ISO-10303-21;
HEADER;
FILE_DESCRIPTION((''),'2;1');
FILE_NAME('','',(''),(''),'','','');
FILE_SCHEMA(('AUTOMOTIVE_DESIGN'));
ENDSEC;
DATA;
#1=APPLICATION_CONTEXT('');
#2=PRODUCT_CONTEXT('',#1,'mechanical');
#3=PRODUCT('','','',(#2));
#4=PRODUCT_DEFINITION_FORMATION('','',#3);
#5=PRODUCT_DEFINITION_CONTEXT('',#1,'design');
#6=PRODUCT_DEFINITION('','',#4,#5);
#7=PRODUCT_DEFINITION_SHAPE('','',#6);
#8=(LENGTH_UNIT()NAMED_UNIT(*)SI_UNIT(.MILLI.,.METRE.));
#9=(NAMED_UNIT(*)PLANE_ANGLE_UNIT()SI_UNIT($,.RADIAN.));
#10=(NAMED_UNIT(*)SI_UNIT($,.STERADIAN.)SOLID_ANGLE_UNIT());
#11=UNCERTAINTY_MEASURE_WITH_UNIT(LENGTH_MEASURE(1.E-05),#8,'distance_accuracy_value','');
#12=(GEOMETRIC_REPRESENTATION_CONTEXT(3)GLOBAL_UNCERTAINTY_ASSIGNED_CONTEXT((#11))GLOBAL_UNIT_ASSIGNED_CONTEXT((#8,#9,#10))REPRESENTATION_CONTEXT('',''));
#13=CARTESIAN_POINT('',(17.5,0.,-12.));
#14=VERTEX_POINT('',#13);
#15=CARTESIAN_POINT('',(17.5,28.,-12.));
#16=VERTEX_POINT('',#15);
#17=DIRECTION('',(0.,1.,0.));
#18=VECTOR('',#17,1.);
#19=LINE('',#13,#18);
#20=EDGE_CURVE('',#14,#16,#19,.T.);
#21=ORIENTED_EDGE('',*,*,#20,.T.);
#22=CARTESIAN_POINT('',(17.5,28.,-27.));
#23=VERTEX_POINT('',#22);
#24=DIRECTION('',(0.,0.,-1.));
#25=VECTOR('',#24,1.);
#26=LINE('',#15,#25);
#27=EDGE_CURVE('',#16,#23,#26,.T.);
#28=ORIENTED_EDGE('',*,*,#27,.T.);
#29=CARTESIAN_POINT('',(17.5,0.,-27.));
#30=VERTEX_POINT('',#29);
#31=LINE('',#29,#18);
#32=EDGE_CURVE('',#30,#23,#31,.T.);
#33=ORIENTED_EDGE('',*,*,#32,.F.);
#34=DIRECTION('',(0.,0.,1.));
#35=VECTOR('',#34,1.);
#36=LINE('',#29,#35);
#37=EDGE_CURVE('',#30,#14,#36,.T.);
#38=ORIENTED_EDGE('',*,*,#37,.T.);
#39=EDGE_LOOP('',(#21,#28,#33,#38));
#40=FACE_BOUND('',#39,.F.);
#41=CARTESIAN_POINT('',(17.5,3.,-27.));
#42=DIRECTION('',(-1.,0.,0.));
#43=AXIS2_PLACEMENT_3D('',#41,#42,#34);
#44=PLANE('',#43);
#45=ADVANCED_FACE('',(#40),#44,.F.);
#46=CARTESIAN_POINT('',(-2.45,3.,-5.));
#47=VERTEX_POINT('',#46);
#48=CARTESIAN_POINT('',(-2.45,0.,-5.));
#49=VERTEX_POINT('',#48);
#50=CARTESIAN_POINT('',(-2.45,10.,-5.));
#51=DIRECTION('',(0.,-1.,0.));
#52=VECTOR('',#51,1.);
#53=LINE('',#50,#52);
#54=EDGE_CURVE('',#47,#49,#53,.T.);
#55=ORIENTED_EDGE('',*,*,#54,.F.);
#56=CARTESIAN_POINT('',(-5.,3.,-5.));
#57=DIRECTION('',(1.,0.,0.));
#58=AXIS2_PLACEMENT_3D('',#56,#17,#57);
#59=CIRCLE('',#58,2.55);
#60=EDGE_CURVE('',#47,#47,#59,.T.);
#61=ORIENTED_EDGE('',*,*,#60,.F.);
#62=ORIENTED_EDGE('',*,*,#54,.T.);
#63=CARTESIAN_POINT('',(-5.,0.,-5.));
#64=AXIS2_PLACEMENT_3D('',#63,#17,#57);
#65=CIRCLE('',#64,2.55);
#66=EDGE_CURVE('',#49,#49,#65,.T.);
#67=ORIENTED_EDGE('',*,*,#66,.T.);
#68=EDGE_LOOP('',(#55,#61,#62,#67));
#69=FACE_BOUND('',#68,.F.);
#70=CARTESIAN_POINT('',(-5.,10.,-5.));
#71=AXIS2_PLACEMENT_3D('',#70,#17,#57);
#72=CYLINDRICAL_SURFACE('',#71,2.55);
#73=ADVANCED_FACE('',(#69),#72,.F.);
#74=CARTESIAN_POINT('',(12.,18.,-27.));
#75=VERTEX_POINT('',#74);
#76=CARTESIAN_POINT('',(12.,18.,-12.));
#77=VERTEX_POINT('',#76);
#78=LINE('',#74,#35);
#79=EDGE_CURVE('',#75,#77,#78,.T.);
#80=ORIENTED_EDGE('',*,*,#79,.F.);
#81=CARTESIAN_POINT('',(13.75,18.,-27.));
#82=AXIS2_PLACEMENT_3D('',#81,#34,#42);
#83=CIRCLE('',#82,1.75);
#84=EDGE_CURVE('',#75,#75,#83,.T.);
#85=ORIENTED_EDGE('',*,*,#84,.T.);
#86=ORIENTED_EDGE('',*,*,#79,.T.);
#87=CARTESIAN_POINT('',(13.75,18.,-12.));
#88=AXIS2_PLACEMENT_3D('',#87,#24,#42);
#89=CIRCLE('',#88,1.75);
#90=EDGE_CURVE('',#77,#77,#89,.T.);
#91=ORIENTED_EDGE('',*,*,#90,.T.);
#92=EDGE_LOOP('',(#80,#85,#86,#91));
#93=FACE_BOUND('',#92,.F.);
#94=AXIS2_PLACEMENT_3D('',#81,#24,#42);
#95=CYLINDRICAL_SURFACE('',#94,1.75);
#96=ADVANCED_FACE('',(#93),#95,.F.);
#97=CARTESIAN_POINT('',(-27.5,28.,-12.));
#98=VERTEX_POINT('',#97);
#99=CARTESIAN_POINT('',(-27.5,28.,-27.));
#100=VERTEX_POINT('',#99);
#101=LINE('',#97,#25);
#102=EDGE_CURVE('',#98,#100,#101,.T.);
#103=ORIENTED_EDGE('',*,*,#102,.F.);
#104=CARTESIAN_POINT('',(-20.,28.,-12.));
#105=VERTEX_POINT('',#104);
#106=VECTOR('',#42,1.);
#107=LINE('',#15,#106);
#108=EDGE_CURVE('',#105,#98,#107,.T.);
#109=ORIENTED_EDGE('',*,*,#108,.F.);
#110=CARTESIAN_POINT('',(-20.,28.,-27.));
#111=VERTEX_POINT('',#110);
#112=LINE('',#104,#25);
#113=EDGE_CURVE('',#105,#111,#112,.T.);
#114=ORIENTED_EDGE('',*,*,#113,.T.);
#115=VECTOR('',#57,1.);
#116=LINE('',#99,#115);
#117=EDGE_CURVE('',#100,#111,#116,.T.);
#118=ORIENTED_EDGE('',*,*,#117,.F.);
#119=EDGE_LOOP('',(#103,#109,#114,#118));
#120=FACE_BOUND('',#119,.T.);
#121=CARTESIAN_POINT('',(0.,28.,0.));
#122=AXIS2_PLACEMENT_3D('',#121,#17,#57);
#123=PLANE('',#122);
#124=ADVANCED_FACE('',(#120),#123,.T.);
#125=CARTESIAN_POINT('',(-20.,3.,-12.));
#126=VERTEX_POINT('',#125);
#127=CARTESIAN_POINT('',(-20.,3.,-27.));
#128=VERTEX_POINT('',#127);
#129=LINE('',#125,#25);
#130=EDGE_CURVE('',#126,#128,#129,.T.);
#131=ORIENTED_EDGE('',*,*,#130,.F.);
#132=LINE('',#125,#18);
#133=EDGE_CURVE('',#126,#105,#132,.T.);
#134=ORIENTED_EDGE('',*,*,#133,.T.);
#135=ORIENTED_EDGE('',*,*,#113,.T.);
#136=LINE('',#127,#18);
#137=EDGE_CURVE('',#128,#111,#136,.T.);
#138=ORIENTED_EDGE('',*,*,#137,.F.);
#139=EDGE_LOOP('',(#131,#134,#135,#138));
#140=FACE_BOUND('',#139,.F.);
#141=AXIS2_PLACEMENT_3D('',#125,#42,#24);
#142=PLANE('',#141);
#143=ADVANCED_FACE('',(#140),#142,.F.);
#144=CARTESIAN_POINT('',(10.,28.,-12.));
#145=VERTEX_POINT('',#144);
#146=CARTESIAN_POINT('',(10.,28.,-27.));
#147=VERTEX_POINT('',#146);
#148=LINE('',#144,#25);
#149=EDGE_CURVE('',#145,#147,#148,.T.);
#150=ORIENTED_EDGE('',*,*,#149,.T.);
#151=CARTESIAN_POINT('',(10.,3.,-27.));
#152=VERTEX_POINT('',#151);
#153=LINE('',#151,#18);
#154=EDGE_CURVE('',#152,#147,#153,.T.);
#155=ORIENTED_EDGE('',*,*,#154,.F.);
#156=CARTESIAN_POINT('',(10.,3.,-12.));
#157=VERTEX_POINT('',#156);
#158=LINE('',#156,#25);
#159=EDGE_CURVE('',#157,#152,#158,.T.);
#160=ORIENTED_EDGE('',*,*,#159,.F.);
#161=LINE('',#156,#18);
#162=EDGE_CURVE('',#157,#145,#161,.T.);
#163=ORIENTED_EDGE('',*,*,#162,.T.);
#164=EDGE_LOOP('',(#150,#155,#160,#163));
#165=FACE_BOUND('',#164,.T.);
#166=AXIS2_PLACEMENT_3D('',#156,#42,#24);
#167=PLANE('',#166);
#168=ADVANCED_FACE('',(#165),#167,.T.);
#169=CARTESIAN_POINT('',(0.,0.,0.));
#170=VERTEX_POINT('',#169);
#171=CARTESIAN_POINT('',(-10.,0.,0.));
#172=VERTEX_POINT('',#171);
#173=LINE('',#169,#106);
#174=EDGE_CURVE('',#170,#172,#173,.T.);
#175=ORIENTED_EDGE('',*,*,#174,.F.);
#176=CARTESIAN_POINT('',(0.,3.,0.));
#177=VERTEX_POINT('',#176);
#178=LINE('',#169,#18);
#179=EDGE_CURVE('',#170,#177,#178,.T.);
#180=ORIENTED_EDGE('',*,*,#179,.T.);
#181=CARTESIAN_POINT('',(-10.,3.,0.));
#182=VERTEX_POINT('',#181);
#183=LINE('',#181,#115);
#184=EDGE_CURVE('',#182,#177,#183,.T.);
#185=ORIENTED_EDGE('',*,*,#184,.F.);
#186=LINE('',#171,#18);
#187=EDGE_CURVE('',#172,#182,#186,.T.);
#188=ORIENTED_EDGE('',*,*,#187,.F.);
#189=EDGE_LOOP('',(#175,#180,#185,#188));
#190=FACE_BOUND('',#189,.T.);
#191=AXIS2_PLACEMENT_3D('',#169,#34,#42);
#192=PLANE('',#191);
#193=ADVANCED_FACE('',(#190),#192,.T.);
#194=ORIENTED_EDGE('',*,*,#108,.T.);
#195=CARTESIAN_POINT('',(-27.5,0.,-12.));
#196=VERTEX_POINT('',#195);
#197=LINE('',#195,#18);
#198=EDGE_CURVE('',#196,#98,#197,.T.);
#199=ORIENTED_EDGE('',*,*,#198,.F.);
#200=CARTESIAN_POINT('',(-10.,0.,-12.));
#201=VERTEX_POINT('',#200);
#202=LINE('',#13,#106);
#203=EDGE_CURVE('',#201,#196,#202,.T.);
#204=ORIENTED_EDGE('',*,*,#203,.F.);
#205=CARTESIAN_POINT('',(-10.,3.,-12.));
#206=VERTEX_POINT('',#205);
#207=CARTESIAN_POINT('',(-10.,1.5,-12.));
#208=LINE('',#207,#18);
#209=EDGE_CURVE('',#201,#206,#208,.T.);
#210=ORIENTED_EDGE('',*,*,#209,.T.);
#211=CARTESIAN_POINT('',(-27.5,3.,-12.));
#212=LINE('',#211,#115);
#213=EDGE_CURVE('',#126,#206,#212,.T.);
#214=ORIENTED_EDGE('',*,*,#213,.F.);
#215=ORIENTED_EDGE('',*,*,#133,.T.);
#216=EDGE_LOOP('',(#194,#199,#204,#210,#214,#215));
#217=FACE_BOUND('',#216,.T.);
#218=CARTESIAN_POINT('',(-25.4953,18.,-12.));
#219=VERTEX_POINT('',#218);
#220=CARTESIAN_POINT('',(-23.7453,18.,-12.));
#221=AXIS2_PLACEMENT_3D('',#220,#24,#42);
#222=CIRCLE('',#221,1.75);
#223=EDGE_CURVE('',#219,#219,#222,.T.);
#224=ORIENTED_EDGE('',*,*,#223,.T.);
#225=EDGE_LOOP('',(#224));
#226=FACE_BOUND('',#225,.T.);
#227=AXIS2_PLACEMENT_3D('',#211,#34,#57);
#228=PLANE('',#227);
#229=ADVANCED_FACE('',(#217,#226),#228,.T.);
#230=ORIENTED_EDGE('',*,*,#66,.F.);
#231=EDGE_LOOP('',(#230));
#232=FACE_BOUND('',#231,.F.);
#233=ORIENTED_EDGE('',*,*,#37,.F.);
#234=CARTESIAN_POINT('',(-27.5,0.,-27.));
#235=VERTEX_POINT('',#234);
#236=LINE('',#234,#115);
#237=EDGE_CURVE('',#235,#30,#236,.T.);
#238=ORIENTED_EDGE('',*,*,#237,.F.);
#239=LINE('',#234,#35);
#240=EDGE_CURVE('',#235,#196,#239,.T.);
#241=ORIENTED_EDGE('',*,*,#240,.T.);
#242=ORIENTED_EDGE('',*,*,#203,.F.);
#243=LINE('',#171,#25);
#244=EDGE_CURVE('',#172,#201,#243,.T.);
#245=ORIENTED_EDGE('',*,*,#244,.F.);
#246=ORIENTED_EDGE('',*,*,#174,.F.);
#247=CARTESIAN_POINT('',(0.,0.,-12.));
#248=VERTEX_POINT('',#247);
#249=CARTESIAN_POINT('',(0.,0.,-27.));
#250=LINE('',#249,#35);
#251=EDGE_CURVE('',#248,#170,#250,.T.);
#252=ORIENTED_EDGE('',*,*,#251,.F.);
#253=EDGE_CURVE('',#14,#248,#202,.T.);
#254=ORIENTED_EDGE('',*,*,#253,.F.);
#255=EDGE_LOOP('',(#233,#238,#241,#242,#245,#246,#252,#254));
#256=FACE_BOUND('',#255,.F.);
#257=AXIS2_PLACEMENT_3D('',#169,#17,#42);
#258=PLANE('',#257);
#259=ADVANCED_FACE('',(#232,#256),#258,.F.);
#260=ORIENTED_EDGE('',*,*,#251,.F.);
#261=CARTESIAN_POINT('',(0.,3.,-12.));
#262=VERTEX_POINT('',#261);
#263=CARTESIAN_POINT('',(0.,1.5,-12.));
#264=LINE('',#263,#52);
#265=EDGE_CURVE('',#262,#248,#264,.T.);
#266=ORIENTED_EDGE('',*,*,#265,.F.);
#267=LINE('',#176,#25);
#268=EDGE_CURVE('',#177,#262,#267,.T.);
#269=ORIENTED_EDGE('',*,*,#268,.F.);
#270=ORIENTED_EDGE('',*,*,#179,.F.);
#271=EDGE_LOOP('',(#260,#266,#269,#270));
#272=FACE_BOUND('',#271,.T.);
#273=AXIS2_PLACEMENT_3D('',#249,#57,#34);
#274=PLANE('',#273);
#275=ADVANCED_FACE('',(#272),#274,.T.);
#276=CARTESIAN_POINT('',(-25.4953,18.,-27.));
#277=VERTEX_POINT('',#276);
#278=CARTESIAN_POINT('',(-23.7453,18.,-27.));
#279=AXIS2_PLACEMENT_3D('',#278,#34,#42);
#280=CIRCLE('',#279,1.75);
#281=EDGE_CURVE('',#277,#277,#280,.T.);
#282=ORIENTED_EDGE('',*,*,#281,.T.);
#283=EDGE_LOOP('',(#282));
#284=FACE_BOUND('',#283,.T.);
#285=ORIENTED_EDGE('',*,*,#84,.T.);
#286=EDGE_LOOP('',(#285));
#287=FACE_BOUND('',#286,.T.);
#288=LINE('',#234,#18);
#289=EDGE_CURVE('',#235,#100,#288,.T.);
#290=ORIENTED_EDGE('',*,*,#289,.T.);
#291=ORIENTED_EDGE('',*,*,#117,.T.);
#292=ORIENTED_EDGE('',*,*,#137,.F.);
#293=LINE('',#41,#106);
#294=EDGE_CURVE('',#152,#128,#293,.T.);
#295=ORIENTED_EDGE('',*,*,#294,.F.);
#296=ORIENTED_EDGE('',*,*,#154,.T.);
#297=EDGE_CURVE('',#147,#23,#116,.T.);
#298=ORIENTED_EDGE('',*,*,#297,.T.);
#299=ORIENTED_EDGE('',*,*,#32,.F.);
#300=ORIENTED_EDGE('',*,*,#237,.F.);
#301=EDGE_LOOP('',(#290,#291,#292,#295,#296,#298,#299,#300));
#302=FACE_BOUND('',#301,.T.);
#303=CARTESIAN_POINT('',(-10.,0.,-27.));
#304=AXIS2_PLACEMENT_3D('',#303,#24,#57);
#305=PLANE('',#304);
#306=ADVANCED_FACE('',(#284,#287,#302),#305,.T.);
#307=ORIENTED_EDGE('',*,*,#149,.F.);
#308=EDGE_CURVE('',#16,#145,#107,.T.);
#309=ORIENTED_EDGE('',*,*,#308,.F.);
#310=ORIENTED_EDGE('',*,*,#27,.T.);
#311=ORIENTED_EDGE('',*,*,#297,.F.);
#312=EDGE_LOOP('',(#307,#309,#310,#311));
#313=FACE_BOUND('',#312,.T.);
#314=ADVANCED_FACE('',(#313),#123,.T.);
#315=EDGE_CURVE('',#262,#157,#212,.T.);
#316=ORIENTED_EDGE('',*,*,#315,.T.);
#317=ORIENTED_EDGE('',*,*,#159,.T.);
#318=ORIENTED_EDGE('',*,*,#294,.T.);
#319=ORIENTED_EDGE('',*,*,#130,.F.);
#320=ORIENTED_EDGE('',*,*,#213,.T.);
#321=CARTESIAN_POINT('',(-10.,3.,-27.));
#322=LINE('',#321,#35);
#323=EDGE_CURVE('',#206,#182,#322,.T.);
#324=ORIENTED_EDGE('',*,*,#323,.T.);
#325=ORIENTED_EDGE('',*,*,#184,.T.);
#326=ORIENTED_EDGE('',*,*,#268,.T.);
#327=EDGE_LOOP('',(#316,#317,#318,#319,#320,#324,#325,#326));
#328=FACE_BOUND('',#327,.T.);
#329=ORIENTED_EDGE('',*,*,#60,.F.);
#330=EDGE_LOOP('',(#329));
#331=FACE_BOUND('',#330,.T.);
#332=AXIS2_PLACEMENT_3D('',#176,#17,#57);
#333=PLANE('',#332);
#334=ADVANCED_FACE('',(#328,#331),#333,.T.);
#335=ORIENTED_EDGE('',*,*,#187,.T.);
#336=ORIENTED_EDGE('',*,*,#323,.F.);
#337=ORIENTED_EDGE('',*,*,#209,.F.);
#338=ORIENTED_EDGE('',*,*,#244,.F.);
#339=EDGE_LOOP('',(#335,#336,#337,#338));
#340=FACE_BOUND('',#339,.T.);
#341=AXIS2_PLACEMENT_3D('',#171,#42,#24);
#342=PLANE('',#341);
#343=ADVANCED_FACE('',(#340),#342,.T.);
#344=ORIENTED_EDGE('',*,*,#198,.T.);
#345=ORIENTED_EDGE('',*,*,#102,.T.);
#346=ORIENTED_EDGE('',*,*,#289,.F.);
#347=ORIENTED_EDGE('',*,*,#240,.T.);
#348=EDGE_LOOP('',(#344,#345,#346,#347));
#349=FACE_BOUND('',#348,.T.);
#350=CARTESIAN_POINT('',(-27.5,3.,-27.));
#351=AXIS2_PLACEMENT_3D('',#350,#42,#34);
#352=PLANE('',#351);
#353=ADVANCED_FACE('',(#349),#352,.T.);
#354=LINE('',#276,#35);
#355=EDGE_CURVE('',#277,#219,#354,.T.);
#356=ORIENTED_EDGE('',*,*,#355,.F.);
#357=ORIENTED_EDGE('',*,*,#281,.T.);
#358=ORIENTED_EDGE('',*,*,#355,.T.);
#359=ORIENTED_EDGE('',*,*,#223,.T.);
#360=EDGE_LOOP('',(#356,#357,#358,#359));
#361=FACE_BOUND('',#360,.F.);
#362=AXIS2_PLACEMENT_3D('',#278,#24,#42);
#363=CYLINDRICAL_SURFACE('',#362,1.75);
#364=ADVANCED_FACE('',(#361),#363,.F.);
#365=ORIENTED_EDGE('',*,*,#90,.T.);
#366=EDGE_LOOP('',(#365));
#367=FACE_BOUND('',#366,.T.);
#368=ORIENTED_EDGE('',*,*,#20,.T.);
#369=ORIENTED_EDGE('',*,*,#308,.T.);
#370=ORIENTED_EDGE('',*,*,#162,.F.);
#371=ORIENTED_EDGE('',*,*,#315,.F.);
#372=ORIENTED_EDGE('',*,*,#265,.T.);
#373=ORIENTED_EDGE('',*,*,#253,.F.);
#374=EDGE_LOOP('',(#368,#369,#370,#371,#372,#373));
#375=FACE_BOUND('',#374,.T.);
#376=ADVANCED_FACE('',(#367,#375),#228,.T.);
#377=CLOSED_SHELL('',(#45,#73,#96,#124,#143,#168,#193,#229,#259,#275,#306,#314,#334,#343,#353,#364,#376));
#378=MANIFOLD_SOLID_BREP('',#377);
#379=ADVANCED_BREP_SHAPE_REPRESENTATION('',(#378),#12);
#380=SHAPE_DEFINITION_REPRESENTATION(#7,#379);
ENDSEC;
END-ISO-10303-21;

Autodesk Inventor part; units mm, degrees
ref_plane "YZ Plane" through (0, 0, 0) normal (1, 0, 0) x (0, 1, 0)
ref_plane "XZ Plane" through (0, 0, 0) normal (0, 1, 0) x (-1, 0, 0)
ref_plane "XY Plane" through (0, 0, 0) normal (0, 0, 1) x (1, 0, 0)
sketch "Sketch1" plane through (0, 0, 0) normal (0, 1, 0) x (-1, 0, 0)
  line L0 (0, 0) -> (10, 0)
  line L1 (10, 0) -> (10, -27)
  line L2 (10, -27) -> (0, -27)
  line L3 (0, -27) -> (0, 0)
  dimension "d0" = 10
  dimension "d1" = 27
extrude "Extrusion1" add sketch "Sketch1" along normal blind 10
sketch "Sketch2" plane through (0, 10, 0) normal (0, 1, 0) x (1, 0, 0)
  line L0 (-10, 27) -> (-10, 0) projected
  line L1 (-10, 0) -> (-10, 5)
  circle A0 centre (-5, 5) radius 2.55
  point P0 (0, 0)
  dimension "d4" = 5
  dimension "d5" = 5.1
extrude "Extrusion2" cut sketch "Sketch2" against normal blind 10
sketch "Sketch4" plane through (0, 10, 0) normal (0, 1, 0) x (1, 0, 0)
  line L0 (0, 27) -> (-10, 27) projected
  line L1 (-10, 27) -> (-10, 0) projected
  line L2 (0, 27) -> (-10, 27)
  line L3 (-10, 27) -> (-10, 0)
  line L4 (-10, 0) -> (0, 0)
  line L5 (0, 0) -> (0, 27)
  point P0 (0, 0)
  dimension "d13" = 27
extrude "Extrusion4" cut sketch "Sketch4" against normal blind 7
sketch "Sketch5" plane through (0, 3, 0) normal (0, 1, 0) x (1, 0, 0)
  line L0 (-10, 27) -> (0, 27) projected
  line L1 (-5, 27) -> (17.5, 27)
  line L2 (17.5, 27) -> (17.5, 12)
  line L3 (17.5, 12) -> (-5, 12)
  line L4 (-5, 12) -> (-5, 27)
  line L5 (-5, 27) -> (-27.5, 27)
  line L6 (-27.5, 27) -> (-27.5, 12)
  line L7 (-27.5, 12) -> (-5, 12)
  line L8 (-5, 12) -> (-5, 27)
  point P0 (0, 0)
  dimension "d16" = 22.5
  dimension "d17" = 15
  dimension "d18" = 22.5
extrude "Extrusion5" add sketch "Sketch5" against normal blind 3
sketch "Sketch6" plane through (0, 3, 0) normal (0, 1, 0) x (1, 0, 0)
  line L0 (17.5, 12) -> (-27.5, 12) projected
  line L1 (-5, 12) -> (10, 12)
  line L2 (10, 12) -> (10, 27)
  line L3 (-27.5, 27) -> (17.5, 27) projected
  line L4 (-5, 12) -> (-20, 12)
  line L5 (-27.5, 12) -> (-10, 12) projected
  line L6 (-20, 12) -> (-20, 27)
  line L7 (-20, 12) -> (-27.5, 12)
  line L8 (-27.5, 12) -> (-27.5, 27)
  line L9 (-27.5, 27) -> (-20, 27)
  line L10 (-20, 27) -> (-20, 12)
  line L11 (10, 12) -> (17.5, 12)
  line L12 (17.5, 12) -> (17.5, 27)
  line L13 (17.5, 27) -> (10, 27)
  line L14 (10, 27) -> (10, 12)
  point P0 (0, 0)
  dimension "d21" = 15
  dimension "d22" = 15
extrude "Extrusion6" add sketch "Sketch6" along normal blind 25 contours L0 L2 L3 L12 | L6 L0 L8 L3
sketch "Sketch7" plane through (17.5, 0, -27) normal (0, 0, -1) x (-1, 0, 0)
  line L0 (37.5, 3) -> (7.5, 3) projected
  line L1 (7.5, 3) -> (0, 3)
  line L2 (0, 0) -> (0, 28) projected
  line L3 (3.75, 3) -> (3.75, 18)
  line L4 (37.5, 3) -> (44.9906, 3)
  line L5 (41.2453, 3) -> (41.2453, 18)
  circle A0 centre (3.75, 18) radius 1.75
  circle A1 centre (41.2453, 18) radius 1.75
  point P0 (17.5, 0)
  dimension "d25" = 15
  dimension "d26" = 15
  dimension "d27" = 3.5
  dimension "d28" = 3.5
extrude "Extrusion7" cut sketch "Sketch7" against normal blind 25
properties part number "Raket_Arme_Motor"
